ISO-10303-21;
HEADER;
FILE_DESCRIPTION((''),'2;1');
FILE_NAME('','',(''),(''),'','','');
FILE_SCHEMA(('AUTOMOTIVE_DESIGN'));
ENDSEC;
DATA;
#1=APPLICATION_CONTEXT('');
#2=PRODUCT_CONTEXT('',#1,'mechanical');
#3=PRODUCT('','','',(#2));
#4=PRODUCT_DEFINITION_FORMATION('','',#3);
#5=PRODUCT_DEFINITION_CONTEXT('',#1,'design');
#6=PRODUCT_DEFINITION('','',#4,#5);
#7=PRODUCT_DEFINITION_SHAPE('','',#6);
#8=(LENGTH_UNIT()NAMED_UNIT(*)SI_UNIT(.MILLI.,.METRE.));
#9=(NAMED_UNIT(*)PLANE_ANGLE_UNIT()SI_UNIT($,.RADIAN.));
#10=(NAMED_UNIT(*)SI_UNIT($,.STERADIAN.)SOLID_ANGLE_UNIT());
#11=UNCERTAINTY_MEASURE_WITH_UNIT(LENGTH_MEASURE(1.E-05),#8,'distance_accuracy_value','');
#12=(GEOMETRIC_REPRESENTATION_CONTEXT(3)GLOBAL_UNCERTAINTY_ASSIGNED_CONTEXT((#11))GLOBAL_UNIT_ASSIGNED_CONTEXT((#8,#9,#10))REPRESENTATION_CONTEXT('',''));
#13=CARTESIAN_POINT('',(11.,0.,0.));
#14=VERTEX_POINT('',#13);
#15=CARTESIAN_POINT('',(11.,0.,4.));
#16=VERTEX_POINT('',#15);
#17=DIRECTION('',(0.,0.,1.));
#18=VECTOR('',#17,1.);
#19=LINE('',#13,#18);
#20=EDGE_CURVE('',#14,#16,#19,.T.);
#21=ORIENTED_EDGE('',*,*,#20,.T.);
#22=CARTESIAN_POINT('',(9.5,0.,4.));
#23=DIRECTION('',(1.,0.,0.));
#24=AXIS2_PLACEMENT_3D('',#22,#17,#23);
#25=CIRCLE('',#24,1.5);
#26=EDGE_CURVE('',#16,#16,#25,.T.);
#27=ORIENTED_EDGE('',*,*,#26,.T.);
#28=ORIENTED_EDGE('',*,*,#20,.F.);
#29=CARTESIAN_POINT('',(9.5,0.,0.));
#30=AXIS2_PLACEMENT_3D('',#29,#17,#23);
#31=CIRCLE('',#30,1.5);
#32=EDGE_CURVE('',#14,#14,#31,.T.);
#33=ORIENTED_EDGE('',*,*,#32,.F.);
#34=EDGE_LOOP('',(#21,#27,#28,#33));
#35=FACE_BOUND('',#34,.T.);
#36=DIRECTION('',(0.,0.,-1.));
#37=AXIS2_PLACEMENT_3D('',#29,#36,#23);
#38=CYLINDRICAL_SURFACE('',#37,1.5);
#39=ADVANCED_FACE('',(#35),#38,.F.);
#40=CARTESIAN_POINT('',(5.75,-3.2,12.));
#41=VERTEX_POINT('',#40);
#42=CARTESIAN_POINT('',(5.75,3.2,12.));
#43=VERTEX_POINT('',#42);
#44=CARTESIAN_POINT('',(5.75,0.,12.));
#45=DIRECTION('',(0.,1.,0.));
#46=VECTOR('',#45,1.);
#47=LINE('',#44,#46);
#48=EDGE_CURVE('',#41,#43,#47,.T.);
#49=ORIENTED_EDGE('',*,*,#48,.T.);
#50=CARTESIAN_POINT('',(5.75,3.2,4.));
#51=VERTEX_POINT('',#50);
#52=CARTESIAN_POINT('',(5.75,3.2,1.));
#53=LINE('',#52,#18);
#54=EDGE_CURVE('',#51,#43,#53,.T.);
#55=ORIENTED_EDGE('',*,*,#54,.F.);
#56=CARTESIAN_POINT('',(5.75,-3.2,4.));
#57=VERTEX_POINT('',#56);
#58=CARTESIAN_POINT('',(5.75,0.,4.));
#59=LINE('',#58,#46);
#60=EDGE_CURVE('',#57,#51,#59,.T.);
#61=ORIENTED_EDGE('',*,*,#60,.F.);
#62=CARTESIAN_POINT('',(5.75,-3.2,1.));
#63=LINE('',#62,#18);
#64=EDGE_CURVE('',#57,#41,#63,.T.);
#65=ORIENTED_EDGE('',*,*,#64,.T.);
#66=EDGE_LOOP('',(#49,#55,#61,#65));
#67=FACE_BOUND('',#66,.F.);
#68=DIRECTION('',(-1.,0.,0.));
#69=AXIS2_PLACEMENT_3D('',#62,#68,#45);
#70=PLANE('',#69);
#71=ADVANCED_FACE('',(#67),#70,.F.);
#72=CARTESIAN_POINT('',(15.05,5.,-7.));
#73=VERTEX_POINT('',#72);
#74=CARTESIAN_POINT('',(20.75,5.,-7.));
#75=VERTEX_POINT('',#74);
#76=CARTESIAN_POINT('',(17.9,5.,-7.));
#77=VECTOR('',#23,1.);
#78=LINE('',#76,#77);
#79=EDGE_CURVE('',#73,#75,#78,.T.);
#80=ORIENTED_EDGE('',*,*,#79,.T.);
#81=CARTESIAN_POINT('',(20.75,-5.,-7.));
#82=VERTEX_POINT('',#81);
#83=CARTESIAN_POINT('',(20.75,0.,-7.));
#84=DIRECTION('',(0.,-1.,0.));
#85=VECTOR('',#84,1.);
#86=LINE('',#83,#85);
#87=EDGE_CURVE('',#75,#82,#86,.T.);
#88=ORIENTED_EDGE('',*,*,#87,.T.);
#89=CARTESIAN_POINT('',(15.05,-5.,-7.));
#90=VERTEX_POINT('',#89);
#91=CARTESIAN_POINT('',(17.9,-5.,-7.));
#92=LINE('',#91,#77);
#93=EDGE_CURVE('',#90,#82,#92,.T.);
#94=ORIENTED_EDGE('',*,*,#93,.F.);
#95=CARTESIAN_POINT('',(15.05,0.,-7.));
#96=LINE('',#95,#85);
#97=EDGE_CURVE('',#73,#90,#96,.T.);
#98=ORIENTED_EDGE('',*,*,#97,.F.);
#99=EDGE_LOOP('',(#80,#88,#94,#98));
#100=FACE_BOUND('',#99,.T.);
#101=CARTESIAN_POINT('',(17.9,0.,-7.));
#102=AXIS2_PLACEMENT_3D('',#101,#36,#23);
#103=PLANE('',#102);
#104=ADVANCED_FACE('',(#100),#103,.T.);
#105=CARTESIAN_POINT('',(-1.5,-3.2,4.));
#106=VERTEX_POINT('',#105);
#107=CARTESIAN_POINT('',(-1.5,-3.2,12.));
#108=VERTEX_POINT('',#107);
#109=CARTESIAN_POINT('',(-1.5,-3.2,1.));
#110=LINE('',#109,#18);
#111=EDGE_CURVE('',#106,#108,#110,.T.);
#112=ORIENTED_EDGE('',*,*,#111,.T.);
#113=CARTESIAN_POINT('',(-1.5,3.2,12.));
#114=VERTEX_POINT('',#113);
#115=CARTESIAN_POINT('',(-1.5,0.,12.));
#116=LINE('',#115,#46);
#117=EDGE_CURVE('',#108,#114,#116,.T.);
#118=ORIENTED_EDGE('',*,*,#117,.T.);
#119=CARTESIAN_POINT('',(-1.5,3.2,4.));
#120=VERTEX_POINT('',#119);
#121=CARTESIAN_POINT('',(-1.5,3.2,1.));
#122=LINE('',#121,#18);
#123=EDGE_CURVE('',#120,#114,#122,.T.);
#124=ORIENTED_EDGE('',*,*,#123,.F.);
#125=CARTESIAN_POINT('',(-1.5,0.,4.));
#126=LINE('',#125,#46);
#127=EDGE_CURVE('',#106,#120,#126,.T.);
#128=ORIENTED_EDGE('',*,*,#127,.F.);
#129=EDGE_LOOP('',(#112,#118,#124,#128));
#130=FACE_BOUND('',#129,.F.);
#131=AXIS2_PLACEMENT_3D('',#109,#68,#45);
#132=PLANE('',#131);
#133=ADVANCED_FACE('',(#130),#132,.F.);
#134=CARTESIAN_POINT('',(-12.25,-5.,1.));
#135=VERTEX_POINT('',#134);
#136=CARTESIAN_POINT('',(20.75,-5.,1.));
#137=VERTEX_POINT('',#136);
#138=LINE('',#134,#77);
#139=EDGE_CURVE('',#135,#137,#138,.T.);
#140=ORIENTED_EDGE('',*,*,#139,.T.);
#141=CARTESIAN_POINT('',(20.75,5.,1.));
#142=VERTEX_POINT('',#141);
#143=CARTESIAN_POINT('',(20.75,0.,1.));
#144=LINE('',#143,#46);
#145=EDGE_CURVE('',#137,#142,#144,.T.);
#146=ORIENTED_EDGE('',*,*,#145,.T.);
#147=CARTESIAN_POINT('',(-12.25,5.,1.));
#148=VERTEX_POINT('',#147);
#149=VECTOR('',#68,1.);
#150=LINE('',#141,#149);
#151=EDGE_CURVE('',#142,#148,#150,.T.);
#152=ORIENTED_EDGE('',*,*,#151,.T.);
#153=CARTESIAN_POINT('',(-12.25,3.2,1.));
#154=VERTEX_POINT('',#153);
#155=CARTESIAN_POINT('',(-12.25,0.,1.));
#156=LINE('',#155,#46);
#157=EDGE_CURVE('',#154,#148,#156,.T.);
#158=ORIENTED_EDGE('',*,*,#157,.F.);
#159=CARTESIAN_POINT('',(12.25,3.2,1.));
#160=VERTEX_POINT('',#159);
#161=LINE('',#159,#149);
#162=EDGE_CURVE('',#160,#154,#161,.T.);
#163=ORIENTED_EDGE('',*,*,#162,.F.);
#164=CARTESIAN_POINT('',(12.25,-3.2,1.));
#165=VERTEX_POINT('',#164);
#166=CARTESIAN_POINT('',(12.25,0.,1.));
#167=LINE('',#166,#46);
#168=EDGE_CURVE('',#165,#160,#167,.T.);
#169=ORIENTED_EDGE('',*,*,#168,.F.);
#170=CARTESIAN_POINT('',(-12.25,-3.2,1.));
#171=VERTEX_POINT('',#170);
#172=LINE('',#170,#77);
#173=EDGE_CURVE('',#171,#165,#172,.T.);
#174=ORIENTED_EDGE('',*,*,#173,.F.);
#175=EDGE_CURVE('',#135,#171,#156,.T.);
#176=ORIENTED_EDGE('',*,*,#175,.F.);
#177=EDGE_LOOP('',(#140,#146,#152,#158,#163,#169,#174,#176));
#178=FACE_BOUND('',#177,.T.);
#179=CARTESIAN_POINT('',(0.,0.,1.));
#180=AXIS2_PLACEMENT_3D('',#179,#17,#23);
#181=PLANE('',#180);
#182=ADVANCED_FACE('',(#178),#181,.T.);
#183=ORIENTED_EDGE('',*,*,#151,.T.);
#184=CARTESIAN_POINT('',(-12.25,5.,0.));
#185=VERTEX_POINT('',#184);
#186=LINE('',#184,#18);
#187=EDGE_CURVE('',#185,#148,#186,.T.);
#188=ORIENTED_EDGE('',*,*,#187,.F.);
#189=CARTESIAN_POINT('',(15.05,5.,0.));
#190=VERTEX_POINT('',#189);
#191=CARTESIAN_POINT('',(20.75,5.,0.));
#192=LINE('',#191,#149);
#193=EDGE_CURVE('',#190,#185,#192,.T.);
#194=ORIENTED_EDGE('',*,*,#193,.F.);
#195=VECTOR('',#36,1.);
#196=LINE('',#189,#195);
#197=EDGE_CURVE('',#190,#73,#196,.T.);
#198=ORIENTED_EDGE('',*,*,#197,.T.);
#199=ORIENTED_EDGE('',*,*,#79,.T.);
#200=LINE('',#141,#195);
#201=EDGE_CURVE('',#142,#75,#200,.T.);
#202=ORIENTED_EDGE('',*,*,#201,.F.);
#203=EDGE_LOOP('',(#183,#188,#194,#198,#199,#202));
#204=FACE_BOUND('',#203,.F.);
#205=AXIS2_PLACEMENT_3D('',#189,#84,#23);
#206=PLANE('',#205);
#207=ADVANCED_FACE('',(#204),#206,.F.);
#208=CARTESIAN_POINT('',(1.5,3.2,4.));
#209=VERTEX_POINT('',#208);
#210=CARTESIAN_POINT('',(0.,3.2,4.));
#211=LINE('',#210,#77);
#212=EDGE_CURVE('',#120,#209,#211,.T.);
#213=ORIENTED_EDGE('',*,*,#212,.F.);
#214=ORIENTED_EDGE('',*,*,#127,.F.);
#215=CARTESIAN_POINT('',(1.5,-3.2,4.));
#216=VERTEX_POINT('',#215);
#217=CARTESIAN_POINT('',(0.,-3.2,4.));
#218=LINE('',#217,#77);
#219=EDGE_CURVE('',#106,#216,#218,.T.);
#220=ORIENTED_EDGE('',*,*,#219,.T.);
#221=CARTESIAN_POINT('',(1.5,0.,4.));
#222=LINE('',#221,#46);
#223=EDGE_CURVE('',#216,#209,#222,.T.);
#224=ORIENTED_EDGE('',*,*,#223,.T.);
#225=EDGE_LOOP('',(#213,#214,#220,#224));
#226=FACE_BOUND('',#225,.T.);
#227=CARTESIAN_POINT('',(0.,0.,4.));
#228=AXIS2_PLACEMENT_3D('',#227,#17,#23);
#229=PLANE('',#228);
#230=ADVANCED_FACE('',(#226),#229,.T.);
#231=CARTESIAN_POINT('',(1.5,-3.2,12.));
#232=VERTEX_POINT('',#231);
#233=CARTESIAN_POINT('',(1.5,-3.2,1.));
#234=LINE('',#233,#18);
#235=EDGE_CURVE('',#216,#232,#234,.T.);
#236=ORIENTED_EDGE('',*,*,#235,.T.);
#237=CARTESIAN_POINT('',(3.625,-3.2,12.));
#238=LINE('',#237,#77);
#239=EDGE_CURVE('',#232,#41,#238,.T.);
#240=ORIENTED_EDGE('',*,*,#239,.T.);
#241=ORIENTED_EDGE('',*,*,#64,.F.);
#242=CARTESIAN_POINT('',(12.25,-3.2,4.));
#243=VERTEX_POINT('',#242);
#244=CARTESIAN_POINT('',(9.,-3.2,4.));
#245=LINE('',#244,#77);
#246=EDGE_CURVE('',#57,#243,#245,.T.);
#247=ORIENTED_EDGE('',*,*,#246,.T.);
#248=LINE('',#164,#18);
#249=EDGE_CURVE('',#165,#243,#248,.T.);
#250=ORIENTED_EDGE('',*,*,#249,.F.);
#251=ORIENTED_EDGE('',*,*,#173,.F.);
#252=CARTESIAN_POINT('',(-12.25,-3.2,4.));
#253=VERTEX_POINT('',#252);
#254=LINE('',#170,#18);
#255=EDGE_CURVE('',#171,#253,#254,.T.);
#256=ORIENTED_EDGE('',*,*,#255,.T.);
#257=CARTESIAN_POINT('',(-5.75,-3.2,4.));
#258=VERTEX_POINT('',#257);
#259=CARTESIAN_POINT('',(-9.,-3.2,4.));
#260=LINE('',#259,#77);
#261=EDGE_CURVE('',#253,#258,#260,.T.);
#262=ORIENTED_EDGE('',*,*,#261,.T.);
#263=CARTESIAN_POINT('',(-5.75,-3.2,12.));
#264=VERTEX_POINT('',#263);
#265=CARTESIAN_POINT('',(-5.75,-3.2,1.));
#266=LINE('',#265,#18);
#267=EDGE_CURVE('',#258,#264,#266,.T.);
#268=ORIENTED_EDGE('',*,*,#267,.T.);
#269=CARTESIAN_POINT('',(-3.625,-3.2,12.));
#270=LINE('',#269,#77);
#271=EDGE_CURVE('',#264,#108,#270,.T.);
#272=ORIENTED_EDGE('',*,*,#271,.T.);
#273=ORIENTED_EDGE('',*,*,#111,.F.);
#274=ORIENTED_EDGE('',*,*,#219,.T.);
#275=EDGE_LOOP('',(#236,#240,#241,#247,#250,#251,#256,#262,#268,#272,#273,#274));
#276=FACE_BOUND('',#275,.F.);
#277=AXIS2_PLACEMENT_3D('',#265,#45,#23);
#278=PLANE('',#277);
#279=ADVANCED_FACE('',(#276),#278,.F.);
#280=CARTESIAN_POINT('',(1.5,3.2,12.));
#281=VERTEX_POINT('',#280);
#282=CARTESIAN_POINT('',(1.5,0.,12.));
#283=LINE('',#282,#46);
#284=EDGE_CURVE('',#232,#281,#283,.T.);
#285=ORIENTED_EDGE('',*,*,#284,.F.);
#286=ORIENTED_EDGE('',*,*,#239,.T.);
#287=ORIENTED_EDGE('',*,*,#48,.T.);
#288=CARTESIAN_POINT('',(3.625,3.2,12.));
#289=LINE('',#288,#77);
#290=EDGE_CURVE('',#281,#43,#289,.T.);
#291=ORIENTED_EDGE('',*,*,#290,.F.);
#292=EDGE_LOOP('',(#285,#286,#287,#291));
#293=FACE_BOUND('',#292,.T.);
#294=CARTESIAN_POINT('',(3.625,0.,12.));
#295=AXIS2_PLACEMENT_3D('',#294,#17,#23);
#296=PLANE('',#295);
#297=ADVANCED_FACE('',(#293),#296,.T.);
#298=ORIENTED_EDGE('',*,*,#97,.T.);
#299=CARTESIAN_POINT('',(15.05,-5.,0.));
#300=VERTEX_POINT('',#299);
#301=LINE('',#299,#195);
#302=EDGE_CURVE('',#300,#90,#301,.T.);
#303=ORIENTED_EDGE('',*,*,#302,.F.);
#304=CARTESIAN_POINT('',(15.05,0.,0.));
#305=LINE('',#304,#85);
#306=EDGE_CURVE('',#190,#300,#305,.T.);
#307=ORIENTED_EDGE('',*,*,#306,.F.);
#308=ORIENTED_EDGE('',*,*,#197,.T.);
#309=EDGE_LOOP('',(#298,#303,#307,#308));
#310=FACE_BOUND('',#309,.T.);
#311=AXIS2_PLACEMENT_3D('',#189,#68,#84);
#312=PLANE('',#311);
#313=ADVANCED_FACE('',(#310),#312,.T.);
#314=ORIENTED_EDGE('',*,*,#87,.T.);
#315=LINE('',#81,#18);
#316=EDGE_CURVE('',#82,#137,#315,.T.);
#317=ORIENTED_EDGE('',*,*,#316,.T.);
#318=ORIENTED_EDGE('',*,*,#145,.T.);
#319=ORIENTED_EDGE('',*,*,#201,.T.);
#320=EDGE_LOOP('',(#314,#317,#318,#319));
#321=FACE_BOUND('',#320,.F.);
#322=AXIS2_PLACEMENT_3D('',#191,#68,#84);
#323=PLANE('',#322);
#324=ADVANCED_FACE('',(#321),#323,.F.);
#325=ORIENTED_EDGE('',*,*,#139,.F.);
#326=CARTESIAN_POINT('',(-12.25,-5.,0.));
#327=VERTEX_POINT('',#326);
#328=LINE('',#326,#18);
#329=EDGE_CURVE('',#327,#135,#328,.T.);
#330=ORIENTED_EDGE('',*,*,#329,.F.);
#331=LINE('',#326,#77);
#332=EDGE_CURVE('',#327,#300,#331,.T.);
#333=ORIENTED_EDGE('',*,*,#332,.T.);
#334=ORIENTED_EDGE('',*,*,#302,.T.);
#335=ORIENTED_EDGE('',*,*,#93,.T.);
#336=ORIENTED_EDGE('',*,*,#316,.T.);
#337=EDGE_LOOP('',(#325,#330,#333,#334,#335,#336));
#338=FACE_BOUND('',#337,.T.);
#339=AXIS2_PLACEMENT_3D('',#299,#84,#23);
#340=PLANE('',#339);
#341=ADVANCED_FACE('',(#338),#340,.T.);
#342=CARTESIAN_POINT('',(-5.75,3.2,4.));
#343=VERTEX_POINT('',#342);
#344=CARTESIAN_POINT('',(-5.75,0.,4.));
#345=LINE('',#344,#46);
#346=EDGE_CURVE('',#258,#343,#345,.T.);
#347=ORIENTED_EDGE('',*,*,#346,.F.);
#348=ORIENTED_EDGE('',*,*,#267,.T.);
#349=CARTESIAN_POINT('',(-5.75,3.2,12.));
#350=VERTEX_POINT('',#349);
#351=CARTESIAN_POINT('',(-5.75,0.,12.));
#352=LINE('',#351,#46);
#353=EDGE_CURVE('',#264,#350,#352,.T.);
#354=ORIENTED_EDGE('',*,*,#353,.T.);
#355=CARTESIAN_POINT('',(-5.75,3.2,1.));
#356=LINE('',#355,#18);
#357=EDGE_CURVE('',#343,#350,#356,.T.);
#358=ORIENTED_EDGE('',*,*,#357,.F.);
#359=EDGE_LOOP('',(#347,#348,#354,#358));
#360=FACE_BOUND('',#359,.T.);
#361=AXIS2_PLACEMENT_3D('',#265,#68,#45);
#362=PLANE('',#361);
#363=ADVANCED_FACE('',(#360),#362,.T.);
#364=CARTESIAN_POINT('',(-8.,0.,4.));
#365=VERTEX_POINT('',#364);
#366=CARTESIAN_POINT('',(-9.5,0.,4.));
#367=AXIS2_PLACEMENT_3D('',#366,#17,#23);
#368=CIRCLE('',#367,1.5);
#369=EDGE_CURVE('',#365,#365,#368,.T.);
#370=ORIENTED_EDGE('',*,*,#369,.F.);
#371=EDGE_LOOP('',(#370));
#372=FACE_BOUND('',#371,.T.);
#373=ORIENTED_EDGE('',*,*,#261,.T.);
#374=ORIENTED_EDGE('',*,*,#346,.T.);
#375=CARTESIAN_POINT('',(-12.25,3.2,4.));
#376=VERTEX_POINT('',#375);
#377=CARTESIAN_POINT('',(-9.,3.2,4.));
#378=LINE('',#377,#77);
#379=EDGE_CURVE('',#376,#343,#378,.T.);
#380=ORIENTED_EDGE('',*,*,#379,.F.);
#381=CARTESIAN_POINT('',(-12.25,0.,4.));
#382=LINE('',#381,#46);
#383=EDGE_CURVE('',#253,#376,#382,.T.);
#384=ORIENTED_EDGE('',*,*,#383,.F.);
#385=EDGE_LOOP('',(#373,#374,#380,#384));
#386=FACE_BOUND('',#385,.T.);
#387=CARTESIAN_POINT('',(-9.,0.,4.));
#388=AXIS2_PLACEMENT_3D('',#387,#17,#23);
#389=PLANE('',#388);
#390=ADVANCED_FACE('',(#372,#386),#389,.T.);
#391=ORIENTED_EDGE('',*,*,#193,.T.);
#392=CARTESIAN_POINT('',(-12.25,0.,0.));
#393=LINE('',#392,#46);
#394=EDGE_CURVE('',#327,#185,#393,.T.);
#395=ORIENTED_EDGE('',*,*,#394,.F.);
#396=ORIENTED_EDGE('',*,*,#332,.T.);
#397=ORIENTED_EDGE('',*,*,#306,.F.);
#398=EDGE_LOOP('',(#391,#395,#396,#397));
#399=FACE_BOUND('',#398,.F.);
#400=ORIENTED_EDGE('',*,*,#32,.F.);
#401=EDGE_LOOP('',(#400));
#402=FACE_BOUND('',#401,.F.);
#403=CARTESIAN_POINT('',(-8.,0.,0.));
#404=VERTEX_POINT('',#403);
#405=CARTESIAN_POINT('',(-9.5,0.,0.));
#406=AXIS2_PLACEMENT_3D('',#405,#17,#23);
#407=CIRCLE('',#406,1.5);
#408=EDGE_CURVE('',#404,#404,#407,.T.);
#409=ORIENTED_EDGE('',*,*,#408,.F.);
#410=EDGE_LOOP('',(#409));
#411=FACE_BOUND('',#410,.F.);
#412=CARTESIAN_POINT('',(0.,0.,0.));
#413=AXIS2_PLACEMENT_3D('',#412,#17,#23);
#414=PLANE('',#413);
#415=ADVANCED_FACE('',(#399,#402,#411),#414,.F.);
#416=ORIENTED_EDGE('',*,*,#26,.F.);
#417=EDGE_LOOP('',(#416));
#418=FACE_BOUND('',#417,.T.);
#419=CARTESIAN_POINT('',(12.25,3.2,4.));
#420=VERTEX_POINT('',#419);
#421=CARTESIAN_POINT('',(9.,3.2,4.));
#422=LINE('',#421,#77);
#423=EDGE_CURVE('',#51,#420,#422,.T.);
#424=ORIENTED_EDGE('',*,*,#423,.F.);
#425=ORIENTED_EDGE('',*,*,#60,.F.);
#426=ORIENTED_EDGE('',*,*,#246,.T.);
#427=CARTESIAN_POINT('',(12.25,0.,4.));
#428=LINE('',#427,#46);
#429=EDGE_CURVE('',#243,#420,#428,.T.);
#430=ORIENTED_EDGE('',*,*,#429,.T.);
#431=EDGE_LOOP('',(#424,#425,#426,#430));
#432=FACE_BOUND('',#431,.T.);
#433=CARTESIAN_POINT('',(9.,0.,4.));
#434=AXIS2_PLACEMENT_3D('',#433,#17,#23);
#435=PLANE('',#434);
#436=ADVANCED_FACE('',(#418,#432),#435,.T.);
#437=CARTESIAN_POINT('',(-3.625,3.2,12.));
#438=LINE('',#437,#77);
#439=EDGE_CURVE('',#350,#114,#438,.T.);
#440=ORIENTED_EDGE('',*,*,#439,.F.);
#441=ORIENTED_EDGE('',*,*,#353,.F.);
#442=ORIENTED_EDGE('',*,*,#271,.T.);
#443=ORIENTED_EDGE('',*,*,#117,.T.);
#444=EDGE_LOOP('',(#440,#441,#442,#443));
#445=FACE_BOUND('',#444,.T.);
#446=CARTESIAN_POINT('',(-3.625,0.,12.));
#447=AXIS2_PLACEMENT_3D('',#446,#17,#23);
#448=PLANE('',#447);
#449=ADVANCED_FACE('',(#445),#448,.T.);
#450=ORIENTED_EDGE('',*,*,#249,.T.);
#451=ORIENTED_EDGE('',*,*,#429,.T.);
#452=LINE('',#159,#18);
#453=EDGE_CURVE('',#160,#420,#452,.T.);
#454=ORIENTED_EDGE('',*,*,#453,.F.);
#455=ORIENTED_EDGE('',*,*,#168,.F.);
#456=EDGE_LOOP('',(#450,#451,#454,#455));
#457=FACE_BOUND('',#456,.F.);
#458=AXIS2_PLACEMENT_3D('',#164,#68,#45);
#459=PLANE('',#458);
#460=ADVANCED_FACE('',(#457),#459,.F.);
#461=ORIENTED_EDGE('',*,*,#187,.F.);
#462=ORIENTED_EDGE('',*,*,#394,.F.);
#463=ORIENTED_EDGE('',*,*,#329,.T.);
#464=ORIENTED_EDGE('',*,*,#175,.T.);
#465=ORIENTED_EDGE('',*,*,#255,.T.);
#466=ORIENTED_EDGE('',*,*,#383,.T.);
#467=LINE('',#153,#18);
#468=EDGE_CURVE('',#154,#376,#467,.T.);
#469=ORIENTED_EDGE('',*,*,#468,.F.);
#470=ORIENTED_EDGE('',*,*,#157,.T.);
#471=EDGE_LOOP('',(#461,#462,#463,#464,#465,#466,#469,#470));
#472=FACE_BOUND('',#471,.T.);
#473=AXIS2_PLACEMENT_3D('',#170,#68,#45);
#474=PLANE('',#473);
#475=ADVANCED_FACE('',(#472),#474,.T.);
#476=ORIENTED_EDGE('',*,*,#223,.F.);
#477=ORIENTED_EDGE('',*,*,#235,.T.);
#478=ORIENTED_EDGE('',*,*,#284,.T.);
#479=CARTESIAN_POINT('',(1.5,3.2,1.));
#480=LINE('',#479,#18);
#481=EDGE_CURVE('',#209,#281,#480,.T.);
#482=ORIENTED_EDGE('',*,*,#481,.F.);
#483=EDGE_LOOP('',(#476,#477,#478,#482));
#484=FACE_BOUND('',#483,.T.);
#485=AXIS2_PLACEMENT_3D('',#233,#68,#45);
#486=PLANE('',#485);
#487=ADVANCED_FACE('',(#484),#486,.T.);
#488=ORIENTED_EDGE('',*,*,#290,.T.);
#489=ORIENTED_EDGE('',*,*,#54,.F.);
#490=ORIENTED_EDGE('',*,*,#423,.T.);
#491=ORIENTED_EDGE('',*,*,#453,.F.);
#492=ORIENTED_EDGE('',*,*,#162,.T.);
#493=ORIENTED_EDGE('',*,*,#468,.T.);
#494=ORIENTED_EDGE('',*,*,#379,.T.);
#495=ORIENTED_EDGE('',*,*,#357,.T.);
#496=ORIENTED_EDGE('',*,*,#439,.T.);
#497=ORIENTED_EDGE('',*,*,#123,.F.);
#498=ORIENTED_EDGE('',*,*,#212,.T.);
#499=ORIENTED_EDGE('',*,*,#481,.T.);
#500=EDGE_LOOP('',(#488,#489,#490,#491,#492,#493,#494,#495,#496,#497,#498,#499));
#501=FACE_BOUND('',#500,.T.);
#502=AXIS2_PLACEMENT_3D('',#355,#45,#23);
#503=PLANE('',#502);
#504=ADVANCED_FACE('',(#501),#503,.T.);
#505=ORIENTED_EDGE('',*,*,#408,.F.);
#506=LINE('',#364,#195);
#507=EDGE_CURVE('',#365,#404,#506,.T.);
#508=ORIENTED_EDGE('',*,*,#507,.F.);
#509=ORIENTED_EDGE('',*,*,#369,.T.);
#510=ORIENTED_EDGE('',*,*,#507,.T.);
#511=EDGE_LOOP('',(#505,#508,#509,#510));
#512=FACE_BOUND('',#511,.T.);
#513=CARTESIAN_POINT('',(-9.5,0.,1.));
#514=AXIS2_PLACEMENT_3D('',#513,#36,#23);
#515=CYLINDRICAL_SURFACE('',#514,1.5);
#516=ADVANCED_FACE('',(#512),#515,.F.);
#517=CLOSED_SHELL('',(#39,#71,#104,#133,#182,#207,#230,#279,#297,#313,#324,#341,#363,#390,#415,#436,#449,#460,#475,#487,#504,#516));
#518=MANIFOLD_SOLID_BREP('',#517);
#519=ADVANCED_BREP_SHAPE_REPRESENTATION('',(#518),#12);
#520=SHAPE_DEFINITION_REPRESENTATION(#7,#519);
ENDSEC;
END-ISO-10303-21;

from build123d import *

# Parameters (mm, degrees)
F0_W     = 24.5
F0_H     = 10
F0_R     = 1.5
F0_W_2   = 8.5
F1_DEPTH = 1
F2_W     = 6.5
F2_H     = 6.4
F2_R     = 1.5
F2_W_2   = 3
F3_DEPTH = 3
F2_W_3   = 4.25
F4_DEPTH = 11
F5_W     = 5.7
F5_H     = 10
F6_DEPTH = 7


with BuildPart() as f1:
    # F0 (on Top) → F1 (new body)
    with BuildSketch(Plane.XY):
        Rectangle(F0_W, F0_H)
        with Locations((-9.5, 0)):
            Circle(F0_R, mode=Mode.SUBTRACT)
        with Locations((9.5, 0)):
            Circle(F0_R, mode=Mode.SUBTRACT)
        with Locations((16.5, 0)):
            Rectangle(F0_W_2, F0_H)
    extrude(amount=F1_DEPTH)

    # F2 (on face) → F3 (join)
    with BuildSketch(Plane.XY.offset(1)):
        with Locations((-9, 0)):
            Rectangle(F2_W, F2_H)
        with Locations((-9.5, 0)):
            Circle(F2_R, mode=Mode.SUBTRACT)
        Rectangle(F2_W_2, F2_H)
        with Locations((9, 0)):
            Rectangle(F2_W, F2_H)
        with Locations((9.5, 0)):
            Circle(F2_R, mode=Mode.SUBTRACT)
    extrude(amount=F3_DEPTH)

    # F2 (on face) → F4 (join)
    with BuildSketch(Plane.XY.offset(1)):
        with Locations((-3.625, 0)):
            Rectangle(F2_W_3, F2_H)
        with Locations((3.625, 0)):
            Rectangle(F2_W_3, F2_H)
    extrude(amount=F4_DEPTH)

    # F5 (on face) → F6 (join)
    with BuildSketch(Plane(origin=(0, 0, 0), x_dir=(1, 0, 0), z_dir=(0, 0, -1))):
        with Locations((17.9, 0)):
            Rectangle(F5_W, F5_H)
    extrude(amount=F6_DEPTH)


solid = f1.part
